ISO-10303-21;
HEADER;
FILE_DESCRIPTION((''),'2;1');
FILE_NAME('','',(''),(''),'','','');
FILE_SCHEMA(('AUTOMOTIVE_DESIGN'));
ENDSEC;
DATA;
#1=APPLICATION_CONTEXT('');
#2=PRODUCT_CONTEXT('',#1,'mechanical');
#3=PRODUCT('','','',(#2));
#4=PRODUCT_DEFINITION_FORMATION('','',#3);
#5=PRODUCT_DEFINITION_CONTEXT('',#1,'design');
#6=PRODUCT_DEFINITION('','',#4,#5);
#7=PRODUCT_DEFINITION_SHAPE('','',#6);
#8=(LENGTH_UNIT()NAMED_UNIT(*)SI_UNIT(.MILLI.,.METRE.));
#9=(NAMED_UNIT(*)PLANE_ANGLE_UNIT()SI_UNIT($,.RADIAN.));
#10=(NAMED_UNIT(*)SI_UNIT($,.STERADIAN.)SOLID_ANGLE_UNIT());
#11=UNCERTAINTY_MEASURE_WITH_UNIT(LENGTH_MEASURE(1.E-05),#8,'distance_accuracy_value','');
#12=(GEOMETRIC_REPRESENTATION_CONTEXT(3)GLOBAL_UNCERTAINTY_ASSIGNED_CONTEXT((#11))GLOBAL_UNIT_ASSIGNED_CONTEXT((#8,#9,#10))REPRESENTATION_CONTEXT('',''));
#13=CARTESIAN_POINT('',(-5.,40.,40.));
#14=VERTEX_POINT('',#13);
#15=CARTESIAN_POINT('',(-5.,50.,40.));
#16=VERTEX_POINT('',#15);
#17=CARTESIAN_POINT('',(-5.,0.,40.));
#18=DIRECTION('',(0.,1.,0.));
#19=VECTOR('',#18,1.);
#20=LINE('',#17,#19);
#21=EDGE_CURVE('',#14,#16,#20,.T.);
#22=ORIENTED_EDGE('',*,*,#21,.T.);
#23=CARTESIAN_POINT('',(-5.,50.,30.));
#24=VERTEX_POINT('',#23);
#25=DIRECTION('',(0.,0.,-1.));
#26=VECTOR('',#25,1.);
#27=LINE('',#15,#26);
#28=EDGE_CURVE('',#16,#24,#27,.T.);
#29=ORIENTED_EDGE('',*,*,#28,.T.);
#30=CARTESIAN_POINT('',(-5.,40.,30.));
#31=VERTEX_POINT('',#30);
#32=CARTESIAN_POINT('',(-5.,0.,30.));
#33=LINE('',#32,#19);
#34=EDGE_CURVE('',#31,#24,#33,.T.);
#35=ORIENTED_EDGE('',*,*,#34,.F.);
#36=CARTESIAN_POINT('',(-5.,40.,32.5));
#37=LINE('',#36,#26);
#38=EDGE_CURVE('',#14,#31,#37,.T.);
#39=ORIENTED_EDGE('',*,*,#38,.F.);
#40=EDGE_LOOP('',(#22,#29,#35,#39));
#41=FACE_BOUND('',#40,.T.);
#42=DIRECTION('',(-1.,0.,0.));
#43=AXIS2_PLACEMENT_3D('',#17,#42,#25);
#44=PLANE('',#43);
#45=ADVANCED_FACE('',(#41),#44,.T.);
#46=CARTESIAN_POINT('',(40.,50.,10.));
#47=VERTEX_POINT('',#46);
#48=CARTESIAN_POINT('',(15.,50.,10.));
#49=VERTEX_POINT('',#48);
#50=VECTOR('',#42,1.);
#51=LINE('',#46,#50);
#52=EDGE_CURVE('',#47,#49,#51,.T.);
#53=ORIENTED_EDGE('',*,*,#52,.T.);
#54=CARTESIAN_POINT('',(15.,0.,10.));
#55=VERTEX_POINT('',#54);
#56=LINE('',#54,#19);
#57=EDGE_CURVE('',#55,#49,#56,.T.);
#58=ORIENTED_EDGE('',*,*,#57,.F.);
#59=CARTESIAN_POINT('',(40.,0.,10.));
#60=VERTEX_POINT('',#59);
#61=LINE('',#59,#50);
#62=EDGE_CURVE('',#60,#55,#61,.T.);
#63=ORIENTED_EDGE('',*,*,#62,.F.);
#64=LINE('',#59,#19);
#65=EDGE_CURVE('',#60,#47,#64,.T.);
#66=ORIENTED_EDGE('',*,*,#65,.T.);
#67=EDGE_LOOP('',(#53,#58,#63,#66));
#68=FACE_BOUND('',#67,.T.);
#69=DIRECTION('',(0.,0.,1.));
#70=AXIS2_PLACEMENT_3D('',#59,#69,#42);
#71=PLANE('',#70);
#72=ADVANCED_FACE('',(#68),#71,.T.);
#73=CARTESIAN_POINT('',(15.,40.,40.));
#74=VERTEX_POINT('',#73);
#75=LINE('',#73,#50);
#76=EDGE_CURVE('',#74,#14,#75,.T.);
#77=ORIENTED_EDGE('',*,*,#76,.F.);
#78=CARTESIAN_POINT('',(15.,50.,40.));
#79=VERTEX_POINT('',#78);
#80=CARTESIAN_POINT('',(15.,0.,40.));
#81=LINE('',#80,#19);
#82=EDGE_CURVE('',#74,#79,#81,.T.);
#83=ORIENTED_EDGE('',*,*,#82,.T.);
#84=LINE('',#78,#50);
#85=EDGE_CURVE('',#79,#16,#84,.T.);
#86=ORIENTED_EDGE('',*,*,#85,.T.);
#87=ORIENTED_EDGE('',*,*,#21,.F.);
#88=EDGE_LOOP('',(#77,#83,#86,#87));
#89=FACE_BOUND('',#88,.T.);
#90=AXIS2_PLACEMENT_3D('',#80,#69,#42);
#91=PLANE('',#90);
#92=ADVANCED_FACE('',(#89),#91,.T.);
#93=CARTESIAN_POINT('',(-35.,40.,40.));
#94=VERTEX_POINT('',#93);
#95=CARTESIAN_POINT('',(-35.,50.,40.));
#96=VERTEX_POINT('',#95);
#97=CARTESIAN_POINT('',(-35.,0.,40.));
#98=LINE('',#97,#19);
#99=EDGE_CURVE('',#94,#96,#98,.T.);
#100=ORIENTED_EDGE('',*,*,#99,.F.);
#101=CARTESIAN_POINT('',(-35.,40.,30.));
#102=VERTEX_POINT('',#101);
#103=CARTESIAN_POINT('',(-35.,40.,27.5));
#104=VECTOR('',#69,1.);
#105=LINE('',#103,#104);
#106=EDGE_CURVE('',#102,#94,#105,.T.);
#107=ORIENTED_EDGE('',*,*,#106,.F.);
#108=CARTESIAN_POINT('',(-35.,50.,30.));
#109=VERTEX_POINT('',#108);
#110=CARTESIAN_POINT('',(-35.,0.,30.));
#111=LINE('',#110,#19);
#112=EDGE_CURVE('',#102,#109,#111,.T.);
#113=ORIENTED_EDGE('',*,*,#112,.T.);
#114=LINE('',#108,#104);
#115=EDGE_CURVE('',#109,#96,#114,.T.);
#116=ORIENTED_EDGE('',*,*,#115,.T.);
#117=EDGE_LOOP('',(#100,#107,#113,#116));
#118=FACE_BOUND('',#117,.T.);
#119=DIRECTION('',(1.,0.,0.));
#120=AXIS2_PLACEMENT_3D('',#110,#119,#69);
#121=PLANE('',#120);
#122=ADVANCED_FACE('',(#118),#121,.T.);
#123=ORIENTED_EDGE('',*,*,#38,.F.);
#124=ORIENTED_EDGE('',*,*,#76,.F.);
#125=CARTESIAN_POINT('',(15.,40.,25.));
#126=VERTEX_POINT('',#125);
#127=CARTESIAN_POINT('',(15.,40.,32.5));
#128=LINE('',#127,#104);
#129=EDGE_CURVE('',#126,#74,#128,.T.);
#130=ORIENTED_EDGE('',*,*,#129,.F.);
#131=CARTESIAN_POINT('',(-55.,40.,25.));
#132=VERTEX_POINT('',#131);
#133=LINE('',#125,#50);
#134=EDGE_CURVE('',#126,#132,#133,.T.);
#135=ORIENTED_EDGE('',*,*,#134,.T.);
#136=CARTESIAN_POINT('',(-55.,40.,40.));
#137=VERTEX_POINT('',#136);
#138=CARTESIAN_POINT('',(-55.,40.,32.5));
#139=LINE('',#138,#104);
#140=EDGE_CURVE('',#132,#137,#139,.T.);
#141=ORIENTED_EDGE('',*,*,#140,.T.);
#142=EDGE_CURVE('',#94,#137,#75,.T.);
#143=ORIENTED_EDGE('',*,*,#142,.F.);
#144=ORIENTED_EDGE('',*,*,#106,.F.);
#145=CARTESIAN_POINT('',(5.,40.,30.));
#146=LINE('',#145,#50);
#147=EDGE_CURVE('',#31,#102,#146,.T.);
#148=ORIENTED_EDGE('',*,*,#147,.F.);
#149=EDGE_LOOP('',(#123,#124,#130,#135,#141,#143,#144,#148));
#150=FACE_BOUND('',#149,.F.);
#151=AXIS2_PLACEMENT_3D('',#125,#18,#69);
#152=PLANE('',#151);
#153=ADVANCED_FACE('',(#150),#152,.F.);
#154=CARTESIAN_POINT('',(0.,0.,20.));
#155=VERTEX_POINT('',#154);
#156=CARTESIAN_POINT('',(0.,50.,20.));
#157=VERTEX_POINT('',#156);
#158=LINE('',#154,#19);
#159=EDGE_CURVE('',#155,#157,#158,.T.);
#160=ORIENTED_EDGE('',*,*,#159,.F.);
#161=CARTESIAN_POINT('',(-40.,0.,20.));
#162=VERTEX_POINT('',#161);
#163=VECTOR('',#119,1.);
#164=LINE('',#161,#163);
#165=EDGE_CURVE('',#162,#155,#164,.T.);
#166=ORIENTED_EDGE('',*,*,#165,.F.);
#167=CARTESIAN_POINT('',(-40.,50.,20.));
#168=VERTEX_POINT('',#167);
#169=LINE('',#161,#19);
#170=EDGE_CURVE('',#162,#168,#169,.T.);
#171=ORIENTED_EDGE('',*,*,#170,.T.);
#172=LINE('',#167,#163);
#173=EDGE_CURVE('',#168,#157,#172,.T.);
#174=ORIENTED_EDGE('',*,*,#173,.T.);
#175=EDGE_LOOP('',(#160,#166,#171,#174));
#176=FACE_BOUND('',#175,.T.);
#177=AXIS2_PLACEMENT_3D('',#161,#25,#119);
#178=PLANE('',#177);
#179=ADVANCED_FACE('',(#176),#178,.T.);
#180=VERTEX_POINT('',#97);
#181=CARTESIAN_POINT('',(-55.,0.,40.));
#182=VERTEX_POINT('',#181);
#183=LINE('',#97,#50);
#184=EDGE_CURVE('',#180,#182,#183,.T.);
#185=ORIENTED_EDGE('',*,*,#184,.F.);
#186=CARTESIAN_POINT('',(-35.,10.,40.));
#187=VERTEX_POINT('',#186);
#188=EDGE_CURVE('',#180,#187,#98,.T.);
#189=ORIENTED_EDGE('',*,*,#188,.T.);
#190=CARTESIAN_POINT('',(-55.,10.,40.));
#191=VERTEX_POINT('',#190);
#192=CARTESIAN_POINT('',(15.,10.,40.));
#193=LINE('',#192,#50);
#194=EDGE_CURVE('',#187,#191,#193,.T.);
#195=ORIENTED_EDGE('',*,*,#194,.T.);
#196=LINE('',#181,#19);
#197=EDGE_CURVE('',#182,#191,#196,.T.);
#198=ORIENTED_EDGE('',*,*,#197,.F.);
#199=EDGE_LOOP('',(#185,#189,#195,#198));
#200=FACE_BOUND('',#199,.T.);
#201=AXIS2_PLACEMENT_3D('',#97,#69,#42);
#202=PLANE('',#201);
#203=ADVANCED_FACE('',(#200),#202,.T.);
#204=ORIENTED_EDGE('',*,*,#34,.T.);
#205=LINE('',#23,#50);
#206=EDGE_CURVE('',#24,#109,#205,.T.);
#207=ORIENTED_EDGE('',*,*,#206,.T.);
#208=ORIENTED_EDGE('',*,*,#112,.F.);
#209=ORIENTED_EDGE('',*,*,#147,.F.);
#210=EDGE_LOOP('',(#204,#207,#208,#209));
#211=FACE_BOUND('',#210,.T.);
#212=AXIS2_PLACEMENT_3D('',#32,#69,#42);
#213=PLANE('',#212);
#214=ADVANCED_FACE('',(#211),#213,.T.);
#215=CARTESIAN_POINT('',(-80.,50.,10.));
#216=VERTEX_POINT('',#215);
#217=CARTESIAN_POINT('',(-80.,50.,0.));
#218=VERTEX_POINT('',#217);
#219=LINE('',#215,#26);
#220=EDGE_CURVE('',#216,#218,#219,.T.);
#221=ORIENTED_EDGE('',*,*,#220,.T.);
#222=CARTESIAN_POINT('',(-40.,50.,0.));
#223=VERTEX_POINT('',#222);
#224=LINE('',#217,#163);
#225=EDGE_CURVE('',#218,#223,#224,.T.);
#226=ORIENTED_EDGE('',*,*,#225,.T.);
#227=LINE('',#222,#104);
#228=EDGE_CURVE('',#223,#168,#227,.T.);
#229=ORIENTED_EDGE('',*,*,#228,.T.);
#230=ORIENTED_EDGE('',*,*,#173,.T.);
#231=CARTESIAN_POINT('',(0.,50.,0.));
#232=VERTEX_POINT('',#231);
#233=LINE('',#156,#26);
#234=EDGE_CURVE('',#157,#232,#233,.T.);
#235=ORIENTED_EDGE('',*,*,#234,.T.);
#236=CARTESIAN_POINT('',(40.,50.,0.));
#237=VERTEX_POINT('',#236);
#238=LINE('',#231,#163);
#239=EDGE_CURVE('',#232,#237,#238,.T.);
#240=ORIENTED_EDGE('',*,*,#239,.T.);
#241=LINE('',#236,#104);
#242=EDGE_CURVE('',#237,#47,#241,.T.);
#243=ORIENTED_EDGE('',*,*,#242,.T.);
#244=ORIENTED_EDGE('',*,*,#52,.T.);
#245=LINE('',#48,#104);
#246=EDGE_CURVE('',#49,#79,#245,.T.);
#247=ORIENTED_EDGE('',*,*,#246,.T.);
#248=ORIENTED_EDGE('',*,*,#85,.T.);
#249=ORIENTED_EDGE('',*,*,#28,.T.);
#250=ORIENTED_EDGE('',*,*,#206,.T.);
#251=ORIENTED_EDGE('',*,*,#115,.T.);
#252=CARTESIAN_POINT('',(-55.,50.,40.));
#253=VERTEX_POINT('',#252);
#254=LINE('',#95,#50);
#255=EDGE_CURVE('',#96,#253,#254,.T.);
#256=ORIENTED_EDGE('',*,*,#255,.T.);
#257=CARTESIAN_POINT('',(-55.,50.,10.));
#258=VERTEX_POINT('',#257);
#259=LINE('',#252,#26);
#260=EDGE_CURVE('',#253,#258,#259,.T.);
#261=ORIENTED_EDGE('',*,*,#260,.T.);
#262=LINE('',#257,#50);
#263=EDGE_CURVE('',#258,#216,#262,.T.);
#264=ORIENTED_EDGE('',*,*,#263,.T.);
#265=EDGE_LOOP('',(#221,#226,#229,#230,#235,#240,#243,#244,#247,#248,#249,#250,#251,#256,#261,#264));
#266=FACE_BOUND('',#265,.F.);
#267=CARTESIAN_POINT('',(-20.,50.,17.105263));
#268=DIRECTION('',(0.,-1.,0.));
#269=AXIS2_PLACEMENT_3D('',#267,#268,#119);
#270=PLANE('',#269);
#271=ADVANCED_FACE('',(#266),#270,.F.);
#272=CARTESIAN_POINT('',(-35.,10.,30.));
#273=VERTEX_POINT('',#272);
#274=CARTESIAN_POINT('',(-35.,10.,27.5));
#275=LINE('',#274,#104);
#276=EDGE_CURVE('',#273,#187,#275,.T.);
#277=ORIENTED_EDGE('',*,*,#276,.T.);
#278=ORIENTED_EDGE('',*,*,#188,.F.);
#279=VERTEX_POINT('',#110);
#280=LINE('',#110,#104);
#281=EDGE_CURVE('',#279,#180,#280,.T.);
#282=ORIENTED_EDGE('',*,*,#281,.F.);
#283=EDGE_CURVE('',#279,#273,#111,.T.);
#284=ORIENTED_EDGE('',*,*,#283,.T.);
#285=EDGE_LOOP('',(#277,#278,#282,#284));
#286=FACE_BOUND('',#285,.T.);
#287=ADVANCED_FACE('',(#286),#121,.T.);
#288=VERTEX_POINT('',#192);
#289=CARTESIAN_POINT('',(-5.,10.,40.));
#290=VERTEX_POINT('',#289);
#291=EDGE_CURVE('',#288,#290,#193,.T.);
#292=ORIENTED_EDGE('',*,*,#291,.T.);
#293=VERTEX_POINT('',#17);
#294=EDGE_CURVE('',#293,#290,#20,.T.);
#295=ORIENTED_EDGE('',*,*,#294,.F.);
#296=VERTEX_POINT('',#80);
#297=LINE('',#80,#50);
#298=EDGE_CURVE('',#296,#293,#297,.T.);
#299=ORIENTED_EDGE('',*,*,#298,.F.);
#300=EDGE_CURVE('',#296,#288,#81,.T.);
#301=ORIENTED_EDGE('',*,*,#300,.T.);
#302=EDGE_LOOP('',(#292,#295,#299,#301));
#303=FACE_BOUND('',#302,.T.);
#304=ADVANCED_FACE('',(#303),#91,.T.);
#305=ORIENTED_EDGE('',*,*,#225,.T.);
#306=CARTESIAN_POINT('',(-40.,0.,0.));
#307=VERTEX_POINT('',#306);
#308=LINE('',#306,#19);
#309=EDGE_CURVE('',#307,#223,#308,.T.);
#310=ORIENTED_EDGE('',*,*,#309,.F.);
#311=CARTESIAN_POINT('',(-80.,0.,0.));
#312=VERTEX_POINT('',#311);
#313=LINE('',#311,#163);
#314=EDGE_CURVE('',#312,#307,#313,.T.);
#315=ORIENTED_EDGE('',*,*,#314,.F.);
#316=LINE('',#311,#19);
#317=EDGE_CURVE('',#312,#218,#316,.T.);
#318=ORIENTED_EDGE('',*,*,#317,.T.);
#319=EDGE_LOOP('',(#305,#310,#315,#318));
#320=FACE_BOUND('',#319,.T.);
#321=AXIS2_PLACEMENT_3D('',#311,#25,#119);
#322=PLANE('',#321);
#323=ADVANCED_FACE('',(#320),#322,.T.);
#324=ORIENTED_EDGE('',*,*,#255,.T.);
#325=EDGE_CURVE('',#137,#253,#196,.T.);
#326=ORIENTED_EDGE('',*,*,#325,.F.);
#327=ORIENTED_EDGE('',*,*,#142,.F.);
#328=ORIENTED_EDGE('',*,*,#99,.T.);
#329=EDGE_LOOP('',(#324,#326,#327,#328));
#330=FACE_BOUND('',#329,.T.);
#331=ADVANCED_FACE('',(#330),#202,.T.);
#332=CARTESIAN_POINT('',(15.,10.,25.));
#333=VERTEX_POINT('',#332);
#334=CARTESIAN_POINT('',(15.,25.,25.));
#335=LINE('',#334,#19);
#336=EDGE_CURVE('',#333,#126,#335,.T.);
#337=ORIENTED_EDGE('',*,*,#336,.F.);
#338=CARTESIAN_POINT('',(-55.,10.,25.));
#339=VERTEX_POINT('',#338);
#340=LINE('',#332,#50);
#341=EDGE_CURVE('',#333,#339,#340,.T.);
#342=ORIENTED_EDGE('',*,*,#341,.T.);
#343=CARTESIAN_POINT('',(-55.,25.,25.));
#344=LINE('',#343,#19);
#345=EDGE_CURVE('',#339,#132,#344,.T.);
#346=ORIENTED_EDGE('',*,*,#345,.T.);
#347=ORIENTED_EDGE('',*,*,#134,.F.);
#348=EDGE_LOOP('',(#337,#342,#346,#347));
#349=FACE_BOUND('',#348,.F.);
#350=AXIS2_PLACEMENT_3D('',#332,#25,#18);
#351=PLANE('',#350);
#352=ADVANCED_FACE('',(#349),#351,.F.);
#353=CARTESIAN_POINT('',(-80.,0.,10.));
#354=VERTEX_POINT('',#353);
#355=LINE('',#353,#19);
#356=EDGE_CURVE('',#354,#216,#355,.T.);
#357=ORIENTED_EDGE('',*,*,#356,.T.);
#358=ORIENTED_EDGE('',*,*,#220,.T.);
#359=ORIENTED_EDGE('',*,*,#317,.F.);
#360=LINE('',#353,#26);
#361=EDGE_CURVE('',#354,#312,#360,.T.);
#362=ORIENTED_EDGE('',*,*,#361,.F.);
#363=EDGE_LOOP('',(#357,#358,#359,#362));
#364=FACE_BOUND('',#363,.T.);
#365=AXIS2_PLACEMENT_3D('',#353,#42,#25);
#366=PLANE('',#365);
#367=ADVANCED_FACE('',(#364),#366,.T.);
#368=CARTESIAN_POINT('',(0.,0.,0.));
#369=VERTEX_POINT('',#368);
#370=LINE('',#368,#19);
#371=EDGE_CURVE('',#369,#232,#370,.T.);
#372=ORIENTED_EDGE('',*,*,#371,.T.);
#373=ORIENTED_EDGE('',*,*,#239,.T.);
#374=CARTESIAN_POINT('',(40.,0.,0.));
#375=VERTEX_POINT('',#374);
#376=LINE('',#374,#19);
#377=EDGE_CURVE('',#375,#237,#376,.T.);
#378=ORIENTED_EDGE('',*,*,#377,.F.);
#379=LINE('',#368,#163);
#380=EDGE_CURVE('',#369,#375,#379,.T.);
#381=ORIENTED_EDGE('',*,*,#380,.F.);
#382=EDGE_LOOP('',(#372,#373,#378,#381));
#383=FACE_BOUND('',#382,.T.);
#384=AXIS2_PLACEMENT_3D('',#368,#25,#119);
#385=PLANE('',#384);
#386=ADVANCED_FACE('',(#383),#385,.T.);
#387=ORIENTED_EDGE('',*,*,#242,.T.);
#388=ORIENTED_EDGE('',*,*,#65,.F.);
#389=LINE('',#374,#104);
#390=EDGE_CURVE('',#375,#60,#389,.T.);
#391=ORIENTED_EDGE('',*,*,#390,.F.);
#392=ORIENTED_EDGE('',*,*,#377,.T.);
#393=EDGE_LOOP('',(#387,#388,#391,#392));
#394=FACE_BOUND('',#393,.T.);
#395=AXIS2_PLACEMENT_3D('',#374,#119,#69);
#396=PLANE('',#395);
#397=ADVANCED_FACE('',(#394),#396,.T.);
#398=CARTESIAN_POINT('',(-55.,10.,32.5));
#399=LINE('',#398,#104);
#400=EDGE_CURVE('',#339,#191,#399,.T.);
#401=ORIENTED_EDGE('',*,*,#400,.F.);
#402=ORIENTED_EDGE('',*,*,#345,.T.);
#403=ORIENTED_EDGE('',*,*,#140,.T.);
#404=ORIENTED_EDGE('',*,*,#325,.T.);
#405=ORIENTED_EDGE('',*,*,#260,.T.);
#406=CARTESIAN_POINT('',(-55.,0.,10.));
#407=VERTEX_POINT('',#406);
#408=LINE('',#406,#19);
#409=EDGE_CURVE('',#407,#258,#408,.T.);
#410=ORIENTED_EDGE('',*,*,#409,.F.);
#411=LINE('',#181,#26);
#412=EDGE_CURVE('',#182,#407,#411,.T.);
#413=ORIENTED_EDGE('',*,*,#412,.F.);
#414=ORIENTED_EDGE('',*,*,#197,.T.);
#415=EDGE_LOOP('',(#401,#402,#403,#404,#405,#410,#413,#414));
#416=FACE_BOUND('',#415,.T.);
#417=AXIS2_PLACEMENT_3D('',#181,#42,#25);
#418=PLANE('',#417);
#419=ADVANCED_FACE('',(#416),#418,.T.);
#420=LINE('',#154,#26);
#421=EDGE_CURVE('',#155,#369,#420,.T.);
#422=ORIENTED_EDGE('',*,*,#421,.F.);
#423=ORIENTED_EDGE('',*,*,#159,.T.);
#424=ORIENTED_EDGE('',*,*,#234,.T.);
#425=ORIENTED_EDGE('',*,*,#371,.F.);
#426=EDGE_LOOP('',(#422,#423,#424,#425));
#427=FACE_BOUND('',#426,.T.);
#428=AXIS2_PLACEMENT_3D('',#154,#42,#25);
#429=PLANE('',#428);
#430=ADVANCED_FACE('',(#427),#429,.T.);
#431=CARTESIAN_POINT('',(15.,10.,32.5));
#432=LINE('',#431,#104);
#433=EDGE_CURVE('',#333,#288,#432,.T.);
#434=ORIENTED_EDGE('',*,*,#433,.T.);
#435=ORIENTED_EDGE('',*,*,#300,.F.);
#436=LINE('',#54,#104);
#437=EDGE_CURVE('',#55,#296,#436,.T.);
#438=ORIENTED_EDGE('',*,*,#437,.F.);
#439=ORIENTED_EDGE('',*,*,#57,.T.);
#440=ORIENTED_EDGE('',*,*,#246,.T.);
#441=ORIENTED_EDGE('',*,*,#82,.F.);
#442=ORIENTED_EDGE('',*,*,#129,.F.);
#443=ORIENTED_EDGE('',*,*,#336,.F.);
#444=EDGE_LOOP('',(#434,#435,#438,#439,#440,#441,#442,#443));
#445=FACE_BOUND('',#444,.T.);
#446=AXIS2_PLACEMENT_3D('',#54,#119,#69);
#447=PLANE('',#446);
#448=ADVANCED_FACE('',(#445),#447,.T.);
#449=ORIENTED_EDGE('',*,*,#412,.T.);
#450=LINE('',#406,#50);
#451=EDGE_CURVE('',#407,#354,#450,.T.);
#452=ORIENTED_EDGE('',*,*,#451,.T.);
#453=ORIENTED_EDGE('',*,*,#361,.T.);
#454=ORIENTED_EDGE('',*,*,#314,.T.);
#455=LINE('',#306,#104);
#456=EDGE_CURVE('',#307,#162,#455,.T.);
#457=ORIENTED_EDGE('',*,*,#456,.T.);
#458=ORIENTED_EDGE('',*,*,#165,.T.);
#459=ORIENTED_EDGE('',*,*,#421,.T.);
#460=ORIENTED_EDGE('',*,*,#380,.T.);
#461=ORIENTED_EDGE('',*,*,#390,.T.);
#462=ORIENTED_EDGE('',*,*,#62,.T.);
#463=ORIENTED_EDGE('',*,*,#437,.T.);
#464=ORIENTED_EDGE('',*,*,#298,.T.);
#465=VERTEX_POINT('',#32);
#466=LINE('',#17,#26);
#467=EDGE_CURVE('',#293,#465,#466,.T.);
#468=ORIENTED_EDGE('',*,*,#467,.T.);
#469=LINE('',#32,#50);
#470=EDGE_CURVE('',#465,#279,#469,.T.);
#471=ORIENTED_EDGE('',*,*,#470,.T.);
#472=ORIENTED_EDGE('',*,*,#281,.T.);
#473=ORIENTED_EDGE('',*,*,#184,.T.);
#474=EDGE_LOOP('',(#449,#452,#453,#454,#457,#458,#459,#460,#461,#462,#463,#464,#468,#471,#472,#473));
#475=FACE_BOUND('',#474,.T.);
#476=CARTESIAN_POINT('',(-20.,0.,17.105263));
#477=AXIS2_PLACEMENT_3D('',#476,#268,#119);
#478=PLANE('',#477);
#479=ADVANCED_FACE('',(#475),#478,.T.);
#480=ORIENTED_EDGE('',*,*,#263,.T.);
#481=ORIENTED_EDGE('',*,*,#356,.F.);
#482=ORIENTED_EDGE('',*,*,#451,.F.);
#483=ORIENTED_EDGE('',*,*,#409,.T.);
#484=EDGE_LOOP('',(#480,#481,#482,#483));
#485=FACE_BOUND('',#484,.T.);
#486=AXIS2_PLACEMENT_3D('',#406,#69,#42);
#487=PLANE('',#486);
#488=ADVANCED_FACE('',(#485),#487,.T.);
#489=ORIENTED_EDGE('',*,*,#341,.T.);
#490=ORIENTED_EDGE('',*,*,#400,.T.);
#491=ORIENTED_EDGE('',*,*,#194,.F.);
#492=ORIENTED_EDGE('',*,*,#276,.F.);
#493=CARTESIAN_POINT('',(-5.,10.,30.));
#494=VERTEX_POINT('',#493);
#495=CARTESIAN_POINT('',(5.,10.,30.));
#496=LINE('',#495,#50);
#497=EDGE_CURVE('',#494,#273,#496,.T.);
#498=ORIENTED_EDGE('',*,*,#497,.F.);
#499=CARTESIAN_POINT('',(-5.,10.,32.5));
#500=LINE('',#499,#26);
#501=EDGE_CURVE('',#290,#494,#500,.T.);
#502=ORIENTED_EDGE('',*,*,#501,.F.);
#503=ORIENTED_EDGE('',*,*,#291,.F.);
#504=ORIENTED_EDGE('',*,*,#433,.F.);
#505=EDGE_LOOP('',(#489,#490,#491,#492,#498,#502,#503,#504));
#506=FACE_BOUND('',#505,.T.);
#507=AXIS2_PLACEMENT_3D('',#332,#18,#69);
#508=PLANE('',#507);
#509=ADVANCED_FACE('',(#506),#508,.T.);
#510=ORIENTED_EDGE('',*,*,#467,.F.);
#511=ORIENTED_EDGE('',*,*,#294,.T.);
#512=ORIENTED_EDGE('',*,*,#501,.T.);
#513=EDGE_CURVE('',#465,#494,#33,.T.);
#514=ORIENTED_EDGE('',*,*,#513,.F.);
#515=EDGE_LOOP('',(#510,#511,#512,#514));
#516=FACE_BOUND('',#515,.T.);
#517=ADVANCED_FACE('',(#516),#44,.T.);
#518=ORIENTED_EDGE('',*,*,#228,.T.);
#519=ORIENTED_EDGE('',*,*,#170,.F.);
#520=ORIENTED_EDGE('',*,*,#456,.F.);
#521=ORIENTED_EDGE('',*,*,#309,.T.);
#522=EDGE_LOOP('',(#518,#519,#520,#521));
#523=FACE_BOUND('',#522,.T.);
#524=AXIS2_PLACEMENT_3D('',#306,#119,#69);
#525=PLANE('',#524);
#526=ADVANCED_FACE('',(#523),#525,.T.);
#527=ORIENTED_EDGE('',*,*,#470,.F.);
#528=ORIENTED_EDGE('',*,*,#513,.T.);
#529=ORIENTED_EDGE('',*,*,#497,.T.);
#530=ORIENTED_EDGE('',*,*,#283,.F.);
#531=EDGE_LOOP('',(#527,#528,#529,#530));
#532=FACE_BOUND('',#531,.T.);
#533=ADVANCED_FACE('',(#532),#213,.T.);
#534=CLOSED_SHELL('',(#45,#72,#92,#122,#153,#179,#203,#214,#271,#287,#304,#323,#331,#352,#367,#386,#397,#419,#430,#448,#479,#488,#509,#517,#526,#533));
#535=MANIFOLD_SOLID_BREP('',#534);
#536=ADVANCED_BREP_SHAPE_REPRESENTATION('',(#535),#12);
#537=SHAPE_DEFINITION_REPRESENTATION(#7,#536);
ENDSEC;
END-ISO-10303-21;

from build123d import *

# Parameters (mm, degrees)
F2_DEPTH = 50
F3_W     = 30
F3_H     = 15
F4_DEPTH = 70


with BuildPart() as f2:
    # F1 (on Front) → F2 (new body)
    with BuildSketch(Plane.XZ):
        Polygon((0, 20), (0, 0), (40, 0), (40, 10), (15, 10), (15, 40), (-5, 40), (-5, 30), (-35, 30), (-35, 40), (-55, 40), (-55, 10), (-80, 10), (-80, 0), (-40, 0), (-40, 20), align=None)
    extrude(amount=-F2_DEPTH)

    # F3 (on face) → F4 (cut)
    with BuildSketch(Plane.YZ.offset(15)):
        with Locations((25, 32.5)):
            Rectangle(F3_W, F3_H)
    extrude(amount=-F4_DEPTH, mode=Mode.SUBTRACT)


solid = f2.part
